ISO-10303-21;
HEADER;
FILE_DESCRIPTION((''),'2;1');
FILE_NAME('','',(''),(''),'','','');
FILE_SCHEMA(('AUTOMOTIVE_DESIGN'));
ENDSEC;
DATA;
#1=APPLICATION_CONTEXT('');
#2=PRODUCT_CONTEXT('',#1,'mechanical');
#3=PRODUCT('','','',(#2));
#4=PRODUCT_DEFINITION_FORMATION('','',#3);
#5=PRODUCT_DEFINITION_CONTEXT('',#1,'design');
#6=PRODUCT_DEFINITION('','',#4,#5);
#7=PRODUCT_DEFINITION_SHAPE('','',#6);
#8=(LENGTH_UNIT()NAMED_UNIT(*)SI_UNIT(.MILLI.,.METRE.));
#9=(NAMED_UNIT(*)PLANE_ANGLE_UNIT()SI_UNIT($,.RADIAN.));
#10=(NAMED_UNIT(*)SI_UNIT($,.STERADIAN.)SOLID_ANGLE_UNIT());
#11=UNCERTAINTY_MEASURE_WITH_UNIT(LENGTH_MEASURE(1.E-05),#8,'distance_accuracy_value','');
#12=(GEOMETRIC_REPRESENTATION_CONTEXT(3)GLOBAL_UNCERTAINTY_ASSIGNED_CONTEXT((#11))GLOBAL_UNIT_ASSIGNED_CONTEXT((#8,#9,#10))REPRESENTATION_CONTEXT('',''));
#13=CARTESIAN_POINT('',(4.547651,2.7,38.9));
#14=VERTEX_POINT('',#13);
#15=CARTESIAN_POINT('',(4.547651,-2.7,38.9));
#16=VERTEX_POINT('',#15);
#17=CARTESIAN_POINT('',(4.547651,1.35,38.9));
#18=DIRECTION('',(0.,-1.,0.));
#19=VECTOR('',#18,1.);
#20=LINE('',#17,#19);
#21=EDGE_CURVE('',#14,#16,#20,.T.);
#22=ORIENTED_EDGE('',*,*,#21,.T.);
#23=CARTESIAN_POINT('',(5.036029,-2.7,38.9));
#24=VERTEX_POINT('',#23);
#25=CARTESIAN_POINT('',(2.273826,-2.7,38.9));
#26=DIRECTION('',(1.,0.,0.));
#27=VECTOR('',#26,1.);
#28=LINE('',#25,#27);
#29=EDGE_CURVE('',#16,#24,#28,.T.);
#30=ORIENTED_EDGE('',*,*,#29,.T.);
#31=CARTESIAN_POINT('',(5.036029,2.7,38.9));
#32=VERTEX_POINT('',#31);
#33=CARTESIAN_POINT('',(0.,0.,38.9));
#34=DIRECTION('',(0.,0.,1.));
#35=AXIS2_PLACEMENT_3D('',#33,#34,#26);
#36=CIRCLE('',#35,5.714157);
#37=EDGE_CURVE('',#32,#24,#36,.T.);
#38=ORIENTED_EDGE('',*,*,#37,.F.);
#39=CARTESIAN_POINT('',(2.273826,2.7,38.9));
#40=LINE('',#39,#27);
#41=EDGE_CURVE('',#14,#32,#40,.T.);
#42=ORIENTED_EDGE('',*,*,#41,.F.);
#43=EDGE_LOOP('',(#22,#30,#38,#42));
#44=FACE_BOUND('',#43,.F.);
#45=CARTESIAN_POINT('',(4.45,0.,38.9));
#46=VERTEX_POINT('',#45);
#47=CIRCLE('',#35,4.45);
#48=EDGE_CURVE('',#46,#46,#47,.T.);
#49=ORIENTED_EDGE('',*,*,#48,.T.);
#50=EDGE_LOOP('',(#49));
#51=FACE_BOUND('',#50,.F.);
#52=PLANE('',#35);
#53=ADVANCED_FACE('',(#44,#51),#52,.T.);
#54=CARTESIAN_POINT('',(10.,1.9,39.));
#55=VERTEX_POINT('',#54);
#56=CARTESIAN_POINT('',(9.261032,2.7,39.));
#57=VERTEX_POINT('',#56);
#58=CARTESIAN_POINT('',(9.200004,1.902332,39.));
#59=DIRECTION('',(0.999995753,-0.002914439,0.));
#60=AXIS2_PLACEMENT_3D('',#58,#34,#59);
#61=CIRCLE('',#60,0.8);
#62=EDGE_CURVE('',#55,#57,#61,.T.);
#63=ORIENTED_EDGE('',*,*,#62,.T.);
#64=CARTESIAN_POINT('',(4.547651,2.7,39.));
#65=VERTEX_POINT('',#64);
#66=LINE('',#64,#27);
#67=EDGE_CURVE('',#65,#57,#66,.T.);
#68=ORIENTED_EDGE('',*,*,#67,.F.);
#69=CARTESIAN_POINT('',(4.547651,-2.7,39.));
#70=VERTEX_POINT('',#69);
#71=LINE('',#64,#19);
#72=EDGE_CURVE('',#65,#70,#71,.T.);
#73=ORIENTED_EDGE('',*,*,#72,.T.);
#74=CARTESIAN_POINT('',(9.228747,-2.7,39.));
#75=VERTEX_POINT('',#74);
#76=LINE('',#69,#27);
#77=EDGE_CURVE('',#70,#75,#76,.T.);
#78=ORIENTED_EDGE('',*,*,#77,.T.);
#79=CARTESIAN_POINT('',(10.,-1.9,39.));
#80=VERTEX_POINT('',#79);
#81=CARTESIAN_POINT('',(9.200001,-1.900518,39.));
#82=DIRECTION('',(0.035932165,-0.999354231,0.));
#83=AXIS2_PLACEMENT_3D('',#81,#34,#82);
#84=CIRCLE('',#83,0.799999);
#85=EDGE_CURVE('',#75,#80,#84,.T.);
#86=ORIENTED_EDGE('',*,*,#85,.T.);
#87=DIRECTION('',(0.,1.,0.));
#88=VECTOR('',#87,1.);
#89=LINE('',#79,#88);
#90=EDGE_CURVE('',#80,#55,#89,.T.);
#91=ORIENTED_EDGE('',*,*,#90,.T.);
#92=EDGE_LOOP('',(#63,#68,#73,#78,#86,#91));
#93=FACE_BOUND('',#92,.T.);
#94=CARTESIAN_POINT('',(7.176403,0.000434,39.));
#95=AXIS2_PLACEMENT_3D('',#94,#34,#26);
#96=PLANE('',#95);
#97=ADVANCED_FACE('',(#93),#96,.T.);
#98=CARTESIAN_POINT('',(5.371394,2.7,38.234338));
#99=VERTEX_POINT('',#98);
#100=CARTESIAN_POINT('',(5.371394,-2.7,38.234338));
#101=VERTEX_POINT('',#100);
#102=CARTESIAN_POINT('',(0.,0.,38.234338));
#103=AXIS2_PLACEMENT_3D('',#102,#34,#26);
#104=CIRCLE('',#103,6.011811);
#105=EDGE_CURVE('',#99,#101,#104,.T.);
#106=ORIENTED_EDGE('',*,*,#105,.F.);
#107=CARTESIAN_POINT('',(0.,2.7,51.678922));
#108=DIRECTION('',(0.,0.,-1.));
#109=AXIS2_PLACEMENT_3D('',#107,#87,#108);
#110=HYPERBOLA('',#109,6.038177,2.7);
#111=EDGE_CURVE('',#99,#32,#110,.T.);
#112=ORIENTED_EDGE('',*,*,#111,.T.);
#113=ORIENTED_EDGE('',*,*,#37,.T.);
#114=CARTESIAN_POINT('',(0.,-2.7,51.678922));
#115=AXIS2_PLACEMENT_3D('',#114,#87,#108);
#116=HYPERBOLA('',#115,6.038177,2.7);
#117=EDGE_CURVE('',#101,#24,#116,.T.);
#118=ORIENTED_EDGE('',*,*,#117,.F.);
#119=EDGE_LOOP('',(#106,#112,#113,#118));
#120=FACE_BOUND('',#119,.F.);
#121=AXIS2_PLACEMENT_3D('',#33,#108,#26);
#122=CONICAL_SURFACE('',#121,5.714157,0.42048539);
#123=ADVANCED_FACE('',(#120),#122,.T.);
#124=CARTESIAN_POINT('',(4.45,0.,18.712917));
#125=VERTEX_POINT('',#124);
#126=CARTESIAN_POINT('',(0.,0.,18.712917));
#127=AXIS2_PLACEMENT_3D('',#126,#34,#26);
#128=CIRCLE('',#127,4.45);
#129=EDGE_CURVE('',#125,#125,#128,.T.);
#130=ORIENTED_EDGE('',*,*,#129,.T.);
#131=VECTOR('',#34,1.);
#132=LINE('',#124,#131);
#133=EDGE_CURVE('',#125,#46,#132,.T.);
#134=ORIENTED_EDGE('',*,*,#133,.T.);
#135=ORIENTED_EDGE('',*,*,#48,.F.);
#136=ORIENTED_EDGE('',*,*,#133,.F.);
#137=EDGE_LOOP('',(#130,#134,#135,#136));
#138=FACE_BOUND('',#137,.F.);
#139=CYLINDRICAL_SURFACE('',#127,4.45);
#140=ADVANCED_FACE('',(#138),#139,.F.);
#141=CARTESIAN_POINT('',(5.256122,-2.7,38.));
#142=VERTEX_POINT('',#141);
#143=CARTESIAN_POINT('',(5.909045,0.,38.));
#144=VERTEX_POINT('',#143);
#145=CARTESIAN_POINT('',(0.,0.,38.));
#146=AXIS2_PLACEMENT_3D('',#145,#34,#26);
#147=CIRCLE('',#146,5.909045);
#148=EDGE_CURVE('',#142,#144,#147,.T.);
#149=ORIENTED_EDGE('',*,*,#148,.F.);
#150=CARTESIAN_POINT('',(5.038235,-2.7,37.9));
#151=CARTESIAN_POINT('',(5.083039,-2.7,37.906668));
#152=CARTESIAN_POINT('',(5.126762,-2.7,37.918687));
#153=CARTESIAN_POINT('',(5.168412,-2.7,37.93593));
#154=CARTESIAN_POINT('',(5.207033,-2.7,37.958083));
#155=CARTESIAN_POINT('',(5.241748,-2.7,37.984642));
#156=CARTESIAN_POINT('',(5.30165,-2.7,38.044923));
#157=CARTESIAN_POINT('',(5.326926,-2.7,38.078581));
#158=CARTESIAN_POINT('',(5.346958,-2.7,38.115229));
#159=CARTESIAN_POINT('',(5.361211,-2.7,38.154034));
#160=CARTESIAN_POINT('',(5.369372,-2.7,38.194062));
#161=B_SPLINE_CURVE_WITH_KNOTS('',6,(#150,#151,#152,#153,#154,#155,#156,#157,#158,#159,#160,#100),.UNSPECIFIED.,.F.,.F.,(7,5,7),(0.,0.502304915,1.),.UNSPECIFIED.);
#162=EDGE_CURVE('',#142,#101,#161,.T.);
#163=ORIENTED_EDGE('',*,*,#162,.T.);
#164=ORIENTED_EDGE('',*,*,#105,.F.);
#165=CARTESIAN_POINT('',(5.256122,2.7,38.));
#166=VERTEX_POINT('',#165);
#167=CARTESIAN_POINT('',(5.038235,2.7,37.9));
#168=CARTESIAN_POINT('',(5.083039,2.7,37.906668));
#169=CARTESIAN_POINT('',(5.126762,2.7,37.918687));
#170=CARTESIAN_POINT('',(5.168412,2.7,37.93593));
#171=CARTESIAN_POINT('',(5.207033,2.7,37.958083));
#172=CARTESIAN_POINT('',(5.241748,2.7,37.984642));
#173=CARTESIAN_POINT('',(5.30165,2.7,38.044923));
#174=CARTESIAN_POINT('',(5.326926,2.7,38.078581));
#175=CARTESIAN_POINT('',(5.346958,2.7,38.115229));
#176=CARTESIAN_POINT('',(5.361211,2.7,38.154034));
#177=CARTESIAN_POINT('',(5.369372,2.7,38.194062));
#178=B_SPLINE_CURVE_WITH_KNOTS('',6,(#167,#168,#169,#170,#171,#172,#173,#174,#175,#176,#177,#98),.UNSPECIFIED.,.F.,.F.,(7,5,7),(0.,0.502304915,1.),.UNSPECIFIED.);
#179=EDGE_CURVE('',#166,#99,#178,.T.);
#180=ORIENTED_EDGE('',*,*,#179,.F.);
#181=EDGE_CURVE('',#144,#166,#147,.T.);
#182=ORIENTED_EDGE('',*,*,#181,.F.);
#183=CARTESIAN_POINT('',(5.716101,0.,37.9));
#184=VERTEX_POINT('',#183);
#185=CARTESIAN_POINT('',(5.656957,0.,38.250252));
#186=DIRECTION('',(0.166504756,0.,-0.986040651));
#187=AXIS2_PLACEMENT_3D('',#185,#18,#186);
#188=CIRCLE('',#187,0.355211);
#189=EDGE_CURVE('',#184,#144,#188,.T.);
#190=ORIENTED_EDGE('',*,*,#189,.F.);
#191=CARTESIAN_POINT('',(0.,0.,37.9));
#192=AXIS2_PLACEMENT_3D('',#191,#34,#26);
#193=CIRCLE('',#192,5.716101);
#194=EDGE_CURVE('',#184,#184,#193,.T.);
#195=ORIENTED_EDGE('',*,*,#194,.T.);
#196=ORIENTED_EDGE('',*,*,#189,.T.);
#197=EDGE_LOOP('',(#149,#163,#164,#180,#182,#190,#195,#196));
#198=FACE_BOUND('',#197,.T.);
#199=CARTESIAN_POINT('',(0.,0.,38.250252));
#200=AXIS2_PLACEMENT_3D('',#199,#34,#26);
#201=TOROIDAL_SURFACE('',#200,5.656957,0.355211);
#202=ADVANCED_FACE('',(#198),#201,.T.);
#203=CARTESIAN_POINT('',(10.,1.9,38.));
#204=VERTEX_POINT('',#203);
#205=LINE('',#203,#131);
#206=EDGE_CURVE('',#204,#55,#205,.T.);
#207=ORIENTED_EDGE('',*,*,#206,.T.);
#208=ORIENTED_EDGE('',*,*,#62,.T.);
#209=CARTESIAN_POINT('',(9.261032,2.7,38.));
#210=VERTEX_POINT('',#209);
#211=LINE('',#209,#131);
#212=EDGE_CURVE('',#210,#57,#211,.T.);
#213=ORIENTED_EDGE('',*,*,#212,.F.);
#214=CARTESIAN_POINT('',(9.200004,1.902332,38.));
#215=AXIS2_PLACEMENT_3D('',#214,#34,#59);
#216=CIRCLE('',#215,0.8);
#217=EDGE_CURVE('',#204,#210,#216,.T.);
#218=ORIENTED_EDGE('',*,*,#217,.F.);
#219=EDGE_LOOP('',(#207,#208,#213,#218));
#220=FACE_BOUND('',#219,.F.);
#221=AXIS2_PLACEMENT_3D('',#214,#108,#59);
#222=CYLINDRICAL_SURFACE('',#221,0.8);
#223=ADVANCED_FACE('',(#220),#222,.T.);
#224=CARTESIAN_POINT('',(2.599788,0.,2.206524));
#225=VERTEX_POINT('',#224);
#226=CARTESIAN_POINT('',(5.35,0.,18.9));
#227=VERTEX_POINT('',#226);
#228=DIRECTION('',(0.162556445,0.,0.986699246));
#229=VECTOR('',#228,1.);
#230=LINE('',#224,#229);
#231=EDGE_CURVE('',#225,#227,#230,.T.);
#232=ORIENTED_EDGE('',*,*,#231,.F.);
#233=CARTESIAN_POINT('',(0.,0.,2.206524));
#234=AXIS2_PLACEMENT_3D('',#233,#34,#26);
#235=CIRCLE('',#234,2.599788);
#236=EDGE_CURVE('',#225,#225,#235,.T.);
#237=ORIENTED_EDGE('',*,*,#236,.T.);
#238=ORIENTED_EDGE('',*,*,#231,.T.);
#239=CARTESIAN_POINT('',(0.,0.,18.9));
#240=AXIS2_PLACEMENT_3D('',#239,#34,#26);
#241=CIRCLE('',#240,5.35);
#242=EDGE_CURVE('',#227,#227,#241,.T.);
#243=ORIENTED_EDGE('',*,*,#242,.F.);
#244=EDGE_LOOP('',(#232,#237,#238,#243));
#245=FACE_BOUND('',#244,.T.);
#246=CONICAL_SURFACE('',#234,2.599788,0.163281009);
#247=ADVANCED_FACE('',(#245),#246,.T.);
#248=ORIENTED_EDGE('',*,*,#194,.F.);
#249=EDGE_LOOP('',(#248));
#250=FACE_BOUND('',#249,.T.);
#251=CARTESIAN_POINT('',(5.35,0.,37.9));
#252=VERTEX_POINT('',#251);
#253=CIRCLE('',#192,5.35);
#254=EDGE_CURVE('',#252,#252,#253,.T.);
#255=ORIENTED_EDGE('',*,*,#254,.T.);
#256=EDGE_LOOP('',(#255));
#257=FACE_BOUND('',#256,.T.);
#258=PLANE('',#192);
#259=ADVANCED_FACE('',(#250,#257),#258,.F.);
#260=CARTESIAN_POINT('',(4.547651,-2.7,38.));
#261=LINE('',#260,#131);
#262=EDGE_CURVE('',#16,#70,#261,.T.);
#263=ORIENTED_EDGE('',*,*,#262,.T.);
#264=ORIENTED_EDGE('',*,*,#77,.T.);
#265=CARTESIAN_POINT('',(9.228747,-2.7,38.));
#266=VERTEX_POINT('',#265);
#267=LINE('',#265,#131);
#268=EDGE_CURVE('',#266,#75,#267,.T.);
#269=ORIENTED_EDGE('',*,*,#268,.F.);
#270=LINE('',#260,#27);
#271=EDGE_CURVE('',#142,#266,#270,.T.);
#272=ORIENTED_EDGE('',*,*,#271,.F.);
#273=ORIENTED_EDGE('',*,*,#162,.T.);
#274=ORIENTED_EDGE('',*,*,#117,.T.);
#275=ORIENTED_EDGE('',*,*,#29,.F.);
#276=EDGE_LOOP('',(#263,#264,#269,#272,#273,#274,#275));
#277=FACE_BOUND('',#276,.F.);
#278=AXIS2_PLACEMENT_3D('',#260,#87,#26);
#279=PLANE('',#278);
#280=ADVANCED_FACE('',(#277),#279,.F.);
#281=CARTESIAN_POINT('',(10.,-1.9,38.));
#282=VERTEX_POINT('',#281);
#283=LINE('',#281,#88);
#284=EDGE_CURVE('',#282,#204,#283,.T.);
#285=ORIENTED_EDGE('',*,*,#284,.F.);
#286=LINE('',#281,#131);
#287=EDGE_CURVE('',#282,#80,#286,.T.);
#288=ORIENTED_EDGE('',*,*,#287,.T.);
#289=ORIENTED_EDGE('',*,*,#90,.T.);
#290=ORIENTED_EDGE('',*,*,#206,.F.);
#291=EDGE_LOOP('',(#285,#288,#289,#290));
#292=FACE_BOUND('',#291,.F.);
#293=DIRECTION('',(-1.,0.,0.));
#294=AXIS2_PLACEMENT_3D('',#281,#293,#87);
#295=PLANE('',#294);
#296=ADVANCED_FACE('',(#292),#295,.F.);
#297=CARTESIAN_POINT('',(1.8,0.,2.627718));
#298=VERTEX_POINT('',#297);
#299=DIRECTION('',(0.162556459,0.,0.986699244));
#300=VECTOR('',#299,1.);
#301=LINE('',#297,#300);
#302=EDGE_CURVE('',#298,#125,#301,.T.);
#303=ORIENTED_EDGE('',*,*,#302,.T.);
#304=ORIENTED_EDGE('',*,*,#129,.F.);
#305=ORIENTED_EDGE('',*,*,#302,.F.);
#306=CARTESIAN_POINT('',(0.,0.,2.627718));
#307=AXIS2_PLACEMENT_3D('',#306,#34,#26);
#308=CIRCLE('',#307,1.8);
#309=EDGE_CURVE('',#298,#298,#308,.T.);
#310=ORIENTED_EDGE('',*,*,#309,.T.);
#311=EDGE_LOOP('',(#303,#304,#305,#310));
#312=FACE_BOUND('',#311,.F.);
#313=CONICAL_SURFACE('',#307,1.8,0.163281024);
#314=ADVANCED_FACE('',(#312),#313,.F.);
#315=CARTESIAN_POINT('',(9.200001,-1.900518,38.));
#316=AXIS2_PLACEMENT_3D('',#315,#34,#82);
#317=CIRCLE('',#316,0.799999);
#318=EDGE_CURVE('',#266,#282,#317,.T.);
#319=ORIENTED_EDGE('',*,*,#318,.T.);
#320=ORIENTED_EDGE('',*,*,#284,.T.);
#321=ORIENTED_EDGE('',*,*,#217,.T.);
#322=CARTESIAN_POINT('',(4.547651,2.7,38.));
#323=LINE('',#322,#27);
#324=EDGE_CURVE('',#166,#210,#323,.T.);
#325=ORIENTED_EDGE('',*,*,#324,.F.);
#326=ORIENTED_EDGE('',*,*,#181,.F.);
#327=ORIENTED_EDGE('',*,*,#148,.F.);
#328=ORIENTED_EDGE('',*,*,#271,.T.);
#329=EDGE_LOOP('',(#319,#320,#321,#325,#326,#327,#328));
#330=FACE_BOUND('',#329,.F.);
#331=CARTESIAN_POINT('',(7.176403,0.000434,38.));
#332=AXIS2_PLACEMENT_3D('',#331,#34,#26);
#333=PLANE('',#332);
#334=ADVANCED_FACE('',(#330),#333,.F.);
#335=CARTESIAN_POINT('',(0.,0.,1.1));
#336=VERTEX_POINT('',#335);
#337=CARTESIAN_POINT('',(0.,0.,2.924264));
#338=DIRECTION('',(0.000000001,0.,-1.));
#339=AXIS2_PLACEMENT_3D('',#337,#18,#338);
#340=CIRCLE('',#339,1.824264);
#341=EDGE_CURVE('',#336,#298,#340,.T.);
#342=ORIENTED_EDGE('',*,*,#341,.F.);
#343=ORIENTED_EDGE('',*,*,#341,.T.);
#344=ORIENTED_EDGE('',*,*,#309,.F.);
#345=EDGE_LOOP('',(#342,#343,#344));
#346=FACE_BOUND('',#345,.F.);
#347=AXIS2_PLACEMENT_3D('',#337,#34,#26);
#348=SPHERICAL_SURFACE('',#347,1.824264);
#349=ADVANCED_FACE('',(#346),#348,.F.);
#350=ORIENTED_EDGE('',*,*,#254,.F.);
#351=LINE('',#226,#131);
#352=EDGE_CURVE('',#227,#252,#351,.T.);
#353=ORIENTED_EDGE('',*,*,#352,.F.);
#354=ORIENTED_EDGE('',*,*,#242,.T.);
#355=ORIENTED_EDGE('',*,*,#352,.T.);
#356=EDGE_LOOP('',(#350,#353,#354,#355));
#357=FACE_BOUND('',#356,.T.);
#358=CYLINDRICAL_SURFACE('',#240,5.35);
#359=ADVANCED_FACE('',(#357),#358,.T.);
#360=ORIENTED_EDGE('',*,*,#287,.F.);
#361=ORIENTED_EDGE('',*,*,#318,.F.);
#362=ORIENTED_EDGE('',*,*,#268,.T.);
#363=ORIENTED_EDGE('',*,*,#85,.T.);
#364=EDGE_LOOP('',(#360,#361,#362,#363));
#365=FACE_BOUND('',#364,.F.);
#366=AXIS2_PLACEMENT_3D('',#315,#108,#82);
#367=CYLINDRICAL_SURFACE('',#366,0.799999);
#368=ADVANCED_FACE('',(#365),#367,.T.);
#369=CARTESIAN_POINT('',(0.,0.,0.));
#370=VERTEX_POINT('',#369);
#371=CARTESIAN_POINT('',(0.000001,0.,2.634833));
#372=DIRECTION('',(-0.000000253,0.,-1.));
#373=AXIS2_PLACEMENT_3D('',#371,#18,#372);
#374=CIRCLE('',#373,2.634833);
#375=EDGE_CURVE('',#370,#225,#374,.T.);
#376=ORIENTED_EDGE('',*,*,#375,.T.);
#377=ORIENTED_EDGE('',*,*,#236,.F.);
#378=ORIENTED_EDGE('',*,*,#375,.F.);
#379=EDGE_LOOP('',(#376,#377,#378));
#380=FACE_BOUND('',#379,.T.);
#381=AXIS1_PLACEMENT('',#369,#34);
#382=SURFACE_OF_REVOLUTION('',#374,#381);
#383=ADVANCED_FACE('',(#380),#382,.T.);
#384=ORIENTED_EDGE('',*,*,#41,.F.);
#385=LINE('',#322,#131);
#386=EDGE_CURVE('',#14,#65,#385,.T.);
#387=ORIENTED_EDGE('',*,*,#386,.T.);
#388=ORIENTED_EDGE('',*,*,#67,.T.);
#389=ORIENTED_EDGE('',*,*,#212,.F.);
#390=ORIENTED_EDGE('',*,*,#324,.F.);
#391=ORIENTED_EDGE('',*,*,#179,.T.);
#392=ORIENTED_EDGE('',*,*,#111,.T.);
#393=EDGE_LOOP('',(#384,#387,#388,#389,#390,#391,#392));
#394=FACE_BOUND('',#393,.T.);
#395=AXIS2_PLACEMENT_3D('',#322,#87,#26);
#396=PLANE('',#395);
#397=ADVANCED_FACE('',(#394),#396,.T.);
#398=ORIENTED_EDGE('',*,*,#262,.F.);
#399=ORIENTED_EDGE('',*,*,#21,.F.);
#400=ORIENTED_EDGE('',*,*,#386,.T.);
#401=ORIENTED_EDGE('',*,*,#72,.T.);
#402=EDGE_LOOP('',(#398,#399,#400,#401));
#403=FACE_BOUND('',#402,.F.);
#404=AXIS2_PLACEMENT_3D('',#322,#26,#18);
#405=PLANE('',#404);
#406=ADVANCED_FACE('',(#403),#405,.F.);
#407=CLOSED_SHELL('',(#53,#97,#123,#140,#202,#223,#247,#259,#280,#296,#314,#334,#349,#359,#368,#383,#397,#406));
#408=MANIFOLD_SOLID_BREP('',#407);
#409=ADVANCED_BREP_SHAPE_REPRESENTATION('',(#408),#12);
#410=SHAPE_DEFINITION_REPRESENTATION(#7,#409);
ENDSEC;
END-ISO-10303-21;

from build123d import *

# Parameters (mm, degrees)
PAD001_DEPTH = 1


with BuildPart() as hinge:
    # Sketch003 → Pad001 (new body)
    with BuildSketch(Plane.XY):
        with BuildLine():
            Line((10, 0), (10, 1.9))
            ThreePointArc((10, 1.9), (9.787661, 2.445156), (9.261032, 2.7))
            Line((4.547651, 2.7), (9.261032, 2.7))
            Line((4.547651, 0), (4.547651, 2.7))
            Line((4.547651, 0), (4.547651, -2.7))
            Line((4.547651, -2.7), (9.228747, -2.7))
            ThreePointArc((9.228747, -2.7), (9.775939, -2.45576), (10, -1.9))
            Line((10, 0), (10, -1.9))
        make_face()
    extrude(amount=PAD001_DEPTH)


with BuildPart() as hinge_1:
    # Body003 placement: moved
    add(hinge.part.moved(Location((0, 0, 38))))


with BuildPart() as body_w_hinge:
    # Sketch001 → Revolution (revolve)
    with BuildSketch(Plane.XZ):
        with BuildLine():
            Line((0, 0), (0, 1.1))
            ThreePointArc((0, 1.1), (1.180458, 1.533416), (1.8, 2.627718))
            Line((1.8, 2.627718), (4.45, 18.712917))
            Line((4.45, 18.712917), (4.45, 38.9))
            Line((4.45, 38.9), (5.714157, 38.9))
            Line((5.714157, 38.9), (6.011811, 38.234338))
            ThreePointArc((5.716101, 37.9), (5.923028, 38.014921), (6.011811, 38.234338))
            Line((5.35, 37.9), (5.716101, 37.9))
            Line((5.35, 18.9), (5.35, 37.9))
            Line((2.599788, 2.206524), (5.35, 18.9))
            ThreePointArc((0, 0), (1.704967, 0.625994), (2.599788, 2.206524))
        make_face()
    revolve(axis=Axis((0, 0, 0), (0, 0, 1)))

    # Fusion: union Hinge
    add(hinge_1.part)


solid = body_w_hinge.part
